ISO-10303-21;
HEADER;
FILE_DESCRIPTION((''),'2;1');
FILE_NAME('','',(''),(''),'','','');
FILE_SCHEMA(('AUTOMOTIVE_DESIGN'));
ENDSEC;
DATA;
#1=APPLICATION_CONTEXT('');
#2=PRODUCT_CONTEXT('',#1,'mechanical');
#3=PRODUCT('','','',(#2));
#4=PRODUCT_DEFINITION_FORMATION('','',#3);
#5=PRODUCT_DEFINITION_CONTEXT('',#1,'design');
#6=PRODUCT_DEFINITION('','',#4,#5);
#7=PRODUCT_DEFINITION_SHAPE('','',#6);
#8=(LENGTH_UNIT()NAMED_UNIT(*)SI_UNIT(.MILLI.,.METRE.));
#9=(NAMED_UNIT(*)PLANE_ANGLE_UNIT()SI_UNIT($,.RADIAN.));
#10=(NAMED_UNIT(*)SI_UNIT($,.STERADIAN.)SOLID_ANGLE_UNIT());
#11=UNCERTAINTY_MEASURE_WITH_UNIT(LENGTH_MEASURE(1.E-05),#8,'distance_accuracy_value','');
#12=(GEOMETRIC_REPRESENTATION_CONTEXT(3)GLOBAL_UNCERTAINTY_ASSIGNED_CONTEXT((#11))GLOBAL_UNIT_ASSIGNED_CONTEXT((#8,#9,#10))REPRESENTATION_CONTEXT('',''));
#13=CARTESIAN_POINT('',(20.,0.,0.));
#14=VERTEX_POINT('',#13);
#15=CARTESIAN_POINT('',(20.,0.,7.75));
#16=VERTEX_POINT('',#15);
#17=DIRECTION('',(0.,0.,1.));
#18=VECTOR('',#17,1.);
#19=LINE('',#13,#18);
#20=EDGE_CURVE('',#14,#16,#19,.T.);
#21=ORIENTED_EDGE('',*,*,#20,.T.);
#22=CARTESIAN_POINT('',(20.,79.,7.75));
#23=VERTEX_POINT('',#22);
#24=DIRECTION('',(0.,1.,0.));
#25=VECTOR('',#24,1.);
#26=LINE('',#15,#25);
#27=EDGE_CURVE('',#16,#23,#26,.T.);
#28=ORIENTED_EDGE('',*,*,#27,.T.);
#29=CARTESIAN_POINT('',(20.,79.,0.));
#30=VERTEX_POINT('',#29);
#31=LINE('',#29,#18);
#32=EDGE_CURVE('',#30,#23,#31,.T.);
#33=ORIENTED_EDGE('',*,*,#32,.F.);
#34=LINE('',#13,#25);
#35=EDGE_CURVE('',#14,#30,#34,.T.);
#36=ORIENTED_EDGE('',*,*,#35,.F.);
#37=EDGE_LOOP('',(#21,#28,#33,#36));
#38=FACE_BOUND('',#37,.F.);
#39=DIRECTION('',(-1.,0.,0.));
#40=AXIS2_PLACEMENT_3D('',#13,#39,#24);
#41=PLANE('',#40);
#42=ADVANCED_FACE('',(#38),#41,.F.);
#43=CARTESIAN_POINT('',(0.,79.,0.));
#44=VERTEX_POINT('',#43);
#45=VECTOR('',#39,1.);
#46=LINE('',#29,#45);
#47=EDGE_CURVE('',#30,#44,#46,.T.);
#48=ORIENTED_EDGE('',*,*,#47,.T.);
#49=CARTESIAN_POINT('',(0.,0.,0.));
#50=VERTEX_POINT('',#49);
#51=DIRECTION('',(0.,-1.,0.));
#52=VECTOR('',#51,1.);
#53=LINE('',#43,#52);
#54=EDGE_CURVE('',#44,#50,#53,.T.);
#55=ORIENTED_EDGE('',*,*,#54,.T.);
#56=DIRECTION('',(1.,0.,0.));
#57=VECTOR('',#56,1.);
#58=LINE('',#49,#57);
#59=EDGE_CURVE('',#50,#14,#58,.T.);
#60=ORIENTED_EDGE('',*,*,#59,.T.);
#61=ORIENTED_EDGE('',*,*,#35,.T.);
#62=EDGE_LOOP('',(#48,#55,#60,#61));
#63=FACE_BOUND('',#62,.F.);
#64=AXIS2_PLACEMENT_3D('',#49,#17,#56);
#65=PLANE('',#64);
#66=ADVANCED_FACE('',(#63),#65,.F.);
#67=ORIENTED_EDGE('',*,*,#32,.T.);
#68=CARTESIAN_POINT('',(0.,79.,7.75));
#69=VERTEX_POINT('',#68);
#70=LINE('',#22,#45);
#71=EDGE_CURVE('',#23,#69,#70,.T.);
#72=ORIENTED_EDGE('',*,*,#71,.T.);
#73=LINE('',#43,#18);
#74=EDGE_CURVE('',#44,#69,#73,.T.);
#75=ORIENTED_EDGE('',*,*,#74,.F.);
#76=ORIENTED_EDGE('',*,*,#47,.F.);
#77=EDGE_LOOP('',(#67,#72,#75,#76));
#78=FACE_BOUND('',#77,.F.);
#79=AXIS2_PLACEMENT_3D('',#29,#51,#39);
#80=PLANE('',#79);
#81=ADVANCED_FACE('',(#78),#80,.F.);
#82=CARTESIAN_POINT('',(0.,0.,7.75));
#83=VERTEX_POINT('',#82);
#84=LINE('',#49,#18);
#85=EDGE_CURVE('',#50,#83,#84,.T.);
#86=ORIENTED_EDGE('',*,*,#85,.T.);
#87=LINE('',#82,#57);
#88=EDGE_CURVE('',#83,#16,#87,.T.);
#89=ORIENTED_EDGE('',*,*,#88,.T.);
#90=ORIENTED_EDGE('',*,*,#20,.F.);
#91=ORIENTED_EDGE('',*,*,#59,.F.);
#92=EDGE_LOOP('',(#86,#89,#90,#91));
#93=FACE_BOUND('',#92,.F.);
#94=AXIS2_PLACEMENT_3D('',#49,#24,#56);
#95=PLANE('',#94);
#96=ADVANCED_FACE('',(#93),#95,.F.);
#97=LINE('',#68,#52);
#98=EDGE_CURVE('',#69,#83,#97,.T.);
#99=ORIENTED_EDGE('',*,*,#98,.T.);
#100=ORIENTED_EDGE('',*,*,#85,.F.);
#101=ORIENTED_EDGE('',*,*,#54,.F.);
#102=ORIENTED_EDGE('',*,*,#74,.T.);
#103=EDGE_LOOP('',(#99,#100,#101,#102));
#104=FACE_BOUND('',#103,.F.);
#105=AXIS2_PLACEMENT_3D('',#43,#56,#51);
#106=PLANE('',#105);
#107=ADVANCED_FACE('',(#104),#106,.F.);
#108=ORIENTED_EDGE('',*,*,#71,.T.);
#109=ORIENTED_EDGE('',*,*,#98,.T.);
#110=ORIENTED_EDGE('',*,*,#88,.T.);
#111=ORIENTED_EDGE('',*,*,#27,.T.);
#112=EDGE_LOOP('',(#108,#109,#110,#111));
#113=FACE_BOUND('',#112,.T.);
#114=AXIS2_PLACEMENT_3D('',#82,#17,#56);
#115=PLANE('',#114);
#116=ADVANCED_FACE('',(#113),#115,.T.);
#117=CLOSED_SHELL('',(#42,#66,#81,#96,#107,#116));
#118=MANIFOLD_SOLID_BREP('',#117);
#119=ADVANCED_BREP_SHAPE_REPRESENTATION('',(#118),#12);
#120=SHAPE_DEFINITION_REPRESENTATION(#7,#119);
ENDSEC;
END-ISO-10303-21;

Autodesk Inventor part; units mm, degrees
ref_plane "YZ Plane" through (0, 0, 0) normal (1, 0, 0) x (0, 1, 0)
ref_plane "XZ Plane" through (0, 0, 0) normal (0, 1, 0) x (-1, 0, 0)
ref_plane "XY Plane" through (0, 0, 0) normal (0, 0, 1) x (1, 0, 0)
sketch "Sketch1" plane through (0, 0, 0) normal (0, 0, 1) x (1, 0, 0)
  line L0 (0, 0) -> (20, 0)
  line L1 (20, 0) -> (20, 79)
  line L2 (20, 79) -> (0, 79)
  line L3 (0, 79) -> (0, 0)
  dimension "d0" = 79
  dimension "d1" = 20
extrude "Extrusion1" add sketch "Sketch1" along normal blind 7.75
properties part number "Mockup Anemometer"
